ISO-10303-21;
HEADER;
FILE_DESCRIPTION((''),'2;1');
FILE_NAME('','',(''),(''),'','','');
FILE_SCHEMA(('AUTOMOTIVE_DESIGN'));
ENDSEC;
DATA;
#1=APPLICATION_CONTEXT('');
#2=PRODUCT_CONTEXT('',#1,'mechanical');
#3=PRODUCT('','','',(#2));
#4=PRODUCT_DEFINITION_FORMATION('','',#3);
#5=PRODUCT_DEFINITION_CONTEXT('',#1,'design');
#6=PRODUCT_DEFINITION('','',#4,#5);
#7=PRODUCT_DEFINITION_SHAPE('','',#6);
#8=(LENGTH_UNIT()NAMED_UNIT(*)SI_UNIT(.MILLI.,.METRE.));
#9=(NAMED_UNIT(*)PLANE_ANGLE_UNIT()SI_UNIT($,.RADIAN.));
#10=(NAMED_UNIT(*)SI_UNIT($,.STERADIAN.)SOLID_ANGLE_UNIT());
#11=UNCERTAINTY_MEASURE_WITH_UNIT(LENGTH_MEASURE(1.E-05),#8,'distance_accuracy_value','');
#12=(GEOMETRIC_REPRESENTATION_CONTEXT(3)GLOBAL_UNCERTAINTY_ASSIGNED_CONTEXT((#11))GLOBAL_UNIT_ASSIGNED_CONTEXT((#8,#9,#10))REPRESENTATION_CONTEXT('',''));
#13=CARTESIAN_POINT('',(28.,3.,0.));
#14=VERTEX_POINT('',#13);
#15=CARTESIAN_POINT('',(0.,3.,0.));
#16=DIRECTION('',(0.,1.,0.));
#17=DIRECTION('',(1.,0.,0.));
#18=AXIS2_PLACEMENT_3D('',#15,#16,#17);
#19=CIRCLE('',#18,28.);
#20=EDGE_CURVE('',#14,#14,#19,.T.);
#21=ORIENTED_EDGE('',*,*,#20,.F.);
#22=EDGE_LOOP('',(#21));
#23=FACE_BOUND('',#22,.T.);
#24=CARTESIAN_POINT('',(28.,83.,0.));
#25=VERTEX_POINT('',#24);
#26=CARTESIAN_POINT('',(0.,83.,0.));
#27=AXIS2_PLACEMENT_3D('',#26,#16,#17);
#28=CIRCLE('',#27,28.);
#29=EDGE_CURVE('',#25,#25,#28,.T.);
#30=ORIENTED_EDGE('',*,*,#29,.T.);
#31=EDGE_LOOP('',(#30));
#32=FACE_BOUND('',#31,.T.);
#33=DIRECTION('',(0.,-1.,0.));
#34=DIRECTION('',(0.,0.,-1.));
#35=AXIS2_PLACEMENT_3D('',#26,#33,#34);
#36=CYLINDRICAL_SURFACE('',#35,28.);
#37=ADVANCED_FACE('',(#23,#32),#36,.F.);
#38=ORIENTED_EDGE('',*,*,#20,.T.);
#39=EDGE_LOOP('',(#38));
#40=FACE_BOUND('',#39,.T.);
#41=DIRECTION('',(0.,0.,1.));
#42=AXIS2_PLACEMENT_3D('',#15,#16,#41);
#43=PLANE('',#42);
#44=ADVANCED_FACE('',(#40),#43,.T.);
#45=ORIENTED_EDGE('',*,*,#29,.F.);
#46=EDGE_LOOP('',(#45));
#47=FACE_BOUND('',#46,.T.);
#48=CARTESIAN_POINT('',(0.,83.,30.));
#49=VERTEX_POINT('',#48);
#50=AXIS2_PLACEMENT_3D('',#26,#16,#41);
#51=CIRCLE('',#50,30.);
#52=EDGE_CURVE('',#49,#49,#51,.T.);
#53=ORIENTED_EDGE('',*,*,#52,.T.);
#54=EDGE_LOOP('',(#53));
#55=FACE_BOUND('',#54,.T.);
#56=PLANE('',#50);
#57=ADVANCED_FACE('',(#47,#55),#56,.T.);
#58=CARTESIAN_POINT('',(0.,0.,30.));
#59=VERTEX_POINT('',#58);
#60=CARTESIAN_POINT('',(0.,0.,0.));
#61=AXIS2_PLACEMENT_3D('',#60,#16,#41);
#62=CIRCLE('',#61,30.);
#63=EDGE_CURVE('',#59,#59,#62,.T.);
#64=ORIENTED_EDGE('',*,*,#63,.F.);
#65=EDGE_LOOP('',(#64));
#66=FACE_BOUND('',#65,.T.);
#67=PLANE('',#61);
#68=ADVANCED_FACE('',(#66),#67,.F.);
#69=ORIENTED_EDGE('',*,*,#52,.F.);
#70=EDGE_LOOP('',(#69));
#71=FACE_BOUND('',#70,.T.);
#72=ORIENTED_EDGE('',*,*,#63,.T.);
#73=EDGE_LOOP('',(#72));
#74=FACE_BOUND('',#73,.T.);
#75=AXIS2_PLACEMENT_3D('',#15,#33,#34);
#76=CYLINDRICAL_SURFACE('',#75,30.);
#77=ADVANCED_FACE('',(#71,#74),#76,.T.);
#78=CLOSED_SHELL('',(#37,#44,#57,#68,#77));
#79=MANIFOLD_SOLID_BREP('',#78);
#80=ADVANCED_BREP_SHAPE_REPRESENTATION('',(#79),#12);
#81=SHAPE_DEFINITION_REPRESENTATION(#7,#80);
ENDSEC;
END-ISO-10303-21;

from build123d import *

# Parameters (mm, degrees)
SKETCH_1_R        = 30
EXTRUDE_1_DEPTH   = 3
SKETCH_2_R        = 30
SKETCH_2_R_2      = 28
EXTRUDE_1_2_DEPTH = 80


with BuildPart() as part:
    # 草图1 → Extrude 1 (new body)
    with BuildSketch(Plane(origin=(0, 0, 0), x_dir=(1, 0, 0), z_dir=(0, 1, 0))):
        with Locations(Location((0, 0, 0), (0, 0, 270))):
            Circle(SKETCH_1_R)
    extrude(amount=EXTRUDE_1_DEPTH)

    # 草图2 → Extrude 1 2 (add)
    with BuildSketch(Plane(origin=(0, 3, 0), x_dir=(1, 0, 0), z_dir=(0, 1, 0))):
        Circle(SKETCH_2_R)
        Circle(SKETCH_2_R_2, mode=Mode.SUBTRACT)
    extrude(amount=EXTRUDE_1_2_DEPTH)


solid = part.part
